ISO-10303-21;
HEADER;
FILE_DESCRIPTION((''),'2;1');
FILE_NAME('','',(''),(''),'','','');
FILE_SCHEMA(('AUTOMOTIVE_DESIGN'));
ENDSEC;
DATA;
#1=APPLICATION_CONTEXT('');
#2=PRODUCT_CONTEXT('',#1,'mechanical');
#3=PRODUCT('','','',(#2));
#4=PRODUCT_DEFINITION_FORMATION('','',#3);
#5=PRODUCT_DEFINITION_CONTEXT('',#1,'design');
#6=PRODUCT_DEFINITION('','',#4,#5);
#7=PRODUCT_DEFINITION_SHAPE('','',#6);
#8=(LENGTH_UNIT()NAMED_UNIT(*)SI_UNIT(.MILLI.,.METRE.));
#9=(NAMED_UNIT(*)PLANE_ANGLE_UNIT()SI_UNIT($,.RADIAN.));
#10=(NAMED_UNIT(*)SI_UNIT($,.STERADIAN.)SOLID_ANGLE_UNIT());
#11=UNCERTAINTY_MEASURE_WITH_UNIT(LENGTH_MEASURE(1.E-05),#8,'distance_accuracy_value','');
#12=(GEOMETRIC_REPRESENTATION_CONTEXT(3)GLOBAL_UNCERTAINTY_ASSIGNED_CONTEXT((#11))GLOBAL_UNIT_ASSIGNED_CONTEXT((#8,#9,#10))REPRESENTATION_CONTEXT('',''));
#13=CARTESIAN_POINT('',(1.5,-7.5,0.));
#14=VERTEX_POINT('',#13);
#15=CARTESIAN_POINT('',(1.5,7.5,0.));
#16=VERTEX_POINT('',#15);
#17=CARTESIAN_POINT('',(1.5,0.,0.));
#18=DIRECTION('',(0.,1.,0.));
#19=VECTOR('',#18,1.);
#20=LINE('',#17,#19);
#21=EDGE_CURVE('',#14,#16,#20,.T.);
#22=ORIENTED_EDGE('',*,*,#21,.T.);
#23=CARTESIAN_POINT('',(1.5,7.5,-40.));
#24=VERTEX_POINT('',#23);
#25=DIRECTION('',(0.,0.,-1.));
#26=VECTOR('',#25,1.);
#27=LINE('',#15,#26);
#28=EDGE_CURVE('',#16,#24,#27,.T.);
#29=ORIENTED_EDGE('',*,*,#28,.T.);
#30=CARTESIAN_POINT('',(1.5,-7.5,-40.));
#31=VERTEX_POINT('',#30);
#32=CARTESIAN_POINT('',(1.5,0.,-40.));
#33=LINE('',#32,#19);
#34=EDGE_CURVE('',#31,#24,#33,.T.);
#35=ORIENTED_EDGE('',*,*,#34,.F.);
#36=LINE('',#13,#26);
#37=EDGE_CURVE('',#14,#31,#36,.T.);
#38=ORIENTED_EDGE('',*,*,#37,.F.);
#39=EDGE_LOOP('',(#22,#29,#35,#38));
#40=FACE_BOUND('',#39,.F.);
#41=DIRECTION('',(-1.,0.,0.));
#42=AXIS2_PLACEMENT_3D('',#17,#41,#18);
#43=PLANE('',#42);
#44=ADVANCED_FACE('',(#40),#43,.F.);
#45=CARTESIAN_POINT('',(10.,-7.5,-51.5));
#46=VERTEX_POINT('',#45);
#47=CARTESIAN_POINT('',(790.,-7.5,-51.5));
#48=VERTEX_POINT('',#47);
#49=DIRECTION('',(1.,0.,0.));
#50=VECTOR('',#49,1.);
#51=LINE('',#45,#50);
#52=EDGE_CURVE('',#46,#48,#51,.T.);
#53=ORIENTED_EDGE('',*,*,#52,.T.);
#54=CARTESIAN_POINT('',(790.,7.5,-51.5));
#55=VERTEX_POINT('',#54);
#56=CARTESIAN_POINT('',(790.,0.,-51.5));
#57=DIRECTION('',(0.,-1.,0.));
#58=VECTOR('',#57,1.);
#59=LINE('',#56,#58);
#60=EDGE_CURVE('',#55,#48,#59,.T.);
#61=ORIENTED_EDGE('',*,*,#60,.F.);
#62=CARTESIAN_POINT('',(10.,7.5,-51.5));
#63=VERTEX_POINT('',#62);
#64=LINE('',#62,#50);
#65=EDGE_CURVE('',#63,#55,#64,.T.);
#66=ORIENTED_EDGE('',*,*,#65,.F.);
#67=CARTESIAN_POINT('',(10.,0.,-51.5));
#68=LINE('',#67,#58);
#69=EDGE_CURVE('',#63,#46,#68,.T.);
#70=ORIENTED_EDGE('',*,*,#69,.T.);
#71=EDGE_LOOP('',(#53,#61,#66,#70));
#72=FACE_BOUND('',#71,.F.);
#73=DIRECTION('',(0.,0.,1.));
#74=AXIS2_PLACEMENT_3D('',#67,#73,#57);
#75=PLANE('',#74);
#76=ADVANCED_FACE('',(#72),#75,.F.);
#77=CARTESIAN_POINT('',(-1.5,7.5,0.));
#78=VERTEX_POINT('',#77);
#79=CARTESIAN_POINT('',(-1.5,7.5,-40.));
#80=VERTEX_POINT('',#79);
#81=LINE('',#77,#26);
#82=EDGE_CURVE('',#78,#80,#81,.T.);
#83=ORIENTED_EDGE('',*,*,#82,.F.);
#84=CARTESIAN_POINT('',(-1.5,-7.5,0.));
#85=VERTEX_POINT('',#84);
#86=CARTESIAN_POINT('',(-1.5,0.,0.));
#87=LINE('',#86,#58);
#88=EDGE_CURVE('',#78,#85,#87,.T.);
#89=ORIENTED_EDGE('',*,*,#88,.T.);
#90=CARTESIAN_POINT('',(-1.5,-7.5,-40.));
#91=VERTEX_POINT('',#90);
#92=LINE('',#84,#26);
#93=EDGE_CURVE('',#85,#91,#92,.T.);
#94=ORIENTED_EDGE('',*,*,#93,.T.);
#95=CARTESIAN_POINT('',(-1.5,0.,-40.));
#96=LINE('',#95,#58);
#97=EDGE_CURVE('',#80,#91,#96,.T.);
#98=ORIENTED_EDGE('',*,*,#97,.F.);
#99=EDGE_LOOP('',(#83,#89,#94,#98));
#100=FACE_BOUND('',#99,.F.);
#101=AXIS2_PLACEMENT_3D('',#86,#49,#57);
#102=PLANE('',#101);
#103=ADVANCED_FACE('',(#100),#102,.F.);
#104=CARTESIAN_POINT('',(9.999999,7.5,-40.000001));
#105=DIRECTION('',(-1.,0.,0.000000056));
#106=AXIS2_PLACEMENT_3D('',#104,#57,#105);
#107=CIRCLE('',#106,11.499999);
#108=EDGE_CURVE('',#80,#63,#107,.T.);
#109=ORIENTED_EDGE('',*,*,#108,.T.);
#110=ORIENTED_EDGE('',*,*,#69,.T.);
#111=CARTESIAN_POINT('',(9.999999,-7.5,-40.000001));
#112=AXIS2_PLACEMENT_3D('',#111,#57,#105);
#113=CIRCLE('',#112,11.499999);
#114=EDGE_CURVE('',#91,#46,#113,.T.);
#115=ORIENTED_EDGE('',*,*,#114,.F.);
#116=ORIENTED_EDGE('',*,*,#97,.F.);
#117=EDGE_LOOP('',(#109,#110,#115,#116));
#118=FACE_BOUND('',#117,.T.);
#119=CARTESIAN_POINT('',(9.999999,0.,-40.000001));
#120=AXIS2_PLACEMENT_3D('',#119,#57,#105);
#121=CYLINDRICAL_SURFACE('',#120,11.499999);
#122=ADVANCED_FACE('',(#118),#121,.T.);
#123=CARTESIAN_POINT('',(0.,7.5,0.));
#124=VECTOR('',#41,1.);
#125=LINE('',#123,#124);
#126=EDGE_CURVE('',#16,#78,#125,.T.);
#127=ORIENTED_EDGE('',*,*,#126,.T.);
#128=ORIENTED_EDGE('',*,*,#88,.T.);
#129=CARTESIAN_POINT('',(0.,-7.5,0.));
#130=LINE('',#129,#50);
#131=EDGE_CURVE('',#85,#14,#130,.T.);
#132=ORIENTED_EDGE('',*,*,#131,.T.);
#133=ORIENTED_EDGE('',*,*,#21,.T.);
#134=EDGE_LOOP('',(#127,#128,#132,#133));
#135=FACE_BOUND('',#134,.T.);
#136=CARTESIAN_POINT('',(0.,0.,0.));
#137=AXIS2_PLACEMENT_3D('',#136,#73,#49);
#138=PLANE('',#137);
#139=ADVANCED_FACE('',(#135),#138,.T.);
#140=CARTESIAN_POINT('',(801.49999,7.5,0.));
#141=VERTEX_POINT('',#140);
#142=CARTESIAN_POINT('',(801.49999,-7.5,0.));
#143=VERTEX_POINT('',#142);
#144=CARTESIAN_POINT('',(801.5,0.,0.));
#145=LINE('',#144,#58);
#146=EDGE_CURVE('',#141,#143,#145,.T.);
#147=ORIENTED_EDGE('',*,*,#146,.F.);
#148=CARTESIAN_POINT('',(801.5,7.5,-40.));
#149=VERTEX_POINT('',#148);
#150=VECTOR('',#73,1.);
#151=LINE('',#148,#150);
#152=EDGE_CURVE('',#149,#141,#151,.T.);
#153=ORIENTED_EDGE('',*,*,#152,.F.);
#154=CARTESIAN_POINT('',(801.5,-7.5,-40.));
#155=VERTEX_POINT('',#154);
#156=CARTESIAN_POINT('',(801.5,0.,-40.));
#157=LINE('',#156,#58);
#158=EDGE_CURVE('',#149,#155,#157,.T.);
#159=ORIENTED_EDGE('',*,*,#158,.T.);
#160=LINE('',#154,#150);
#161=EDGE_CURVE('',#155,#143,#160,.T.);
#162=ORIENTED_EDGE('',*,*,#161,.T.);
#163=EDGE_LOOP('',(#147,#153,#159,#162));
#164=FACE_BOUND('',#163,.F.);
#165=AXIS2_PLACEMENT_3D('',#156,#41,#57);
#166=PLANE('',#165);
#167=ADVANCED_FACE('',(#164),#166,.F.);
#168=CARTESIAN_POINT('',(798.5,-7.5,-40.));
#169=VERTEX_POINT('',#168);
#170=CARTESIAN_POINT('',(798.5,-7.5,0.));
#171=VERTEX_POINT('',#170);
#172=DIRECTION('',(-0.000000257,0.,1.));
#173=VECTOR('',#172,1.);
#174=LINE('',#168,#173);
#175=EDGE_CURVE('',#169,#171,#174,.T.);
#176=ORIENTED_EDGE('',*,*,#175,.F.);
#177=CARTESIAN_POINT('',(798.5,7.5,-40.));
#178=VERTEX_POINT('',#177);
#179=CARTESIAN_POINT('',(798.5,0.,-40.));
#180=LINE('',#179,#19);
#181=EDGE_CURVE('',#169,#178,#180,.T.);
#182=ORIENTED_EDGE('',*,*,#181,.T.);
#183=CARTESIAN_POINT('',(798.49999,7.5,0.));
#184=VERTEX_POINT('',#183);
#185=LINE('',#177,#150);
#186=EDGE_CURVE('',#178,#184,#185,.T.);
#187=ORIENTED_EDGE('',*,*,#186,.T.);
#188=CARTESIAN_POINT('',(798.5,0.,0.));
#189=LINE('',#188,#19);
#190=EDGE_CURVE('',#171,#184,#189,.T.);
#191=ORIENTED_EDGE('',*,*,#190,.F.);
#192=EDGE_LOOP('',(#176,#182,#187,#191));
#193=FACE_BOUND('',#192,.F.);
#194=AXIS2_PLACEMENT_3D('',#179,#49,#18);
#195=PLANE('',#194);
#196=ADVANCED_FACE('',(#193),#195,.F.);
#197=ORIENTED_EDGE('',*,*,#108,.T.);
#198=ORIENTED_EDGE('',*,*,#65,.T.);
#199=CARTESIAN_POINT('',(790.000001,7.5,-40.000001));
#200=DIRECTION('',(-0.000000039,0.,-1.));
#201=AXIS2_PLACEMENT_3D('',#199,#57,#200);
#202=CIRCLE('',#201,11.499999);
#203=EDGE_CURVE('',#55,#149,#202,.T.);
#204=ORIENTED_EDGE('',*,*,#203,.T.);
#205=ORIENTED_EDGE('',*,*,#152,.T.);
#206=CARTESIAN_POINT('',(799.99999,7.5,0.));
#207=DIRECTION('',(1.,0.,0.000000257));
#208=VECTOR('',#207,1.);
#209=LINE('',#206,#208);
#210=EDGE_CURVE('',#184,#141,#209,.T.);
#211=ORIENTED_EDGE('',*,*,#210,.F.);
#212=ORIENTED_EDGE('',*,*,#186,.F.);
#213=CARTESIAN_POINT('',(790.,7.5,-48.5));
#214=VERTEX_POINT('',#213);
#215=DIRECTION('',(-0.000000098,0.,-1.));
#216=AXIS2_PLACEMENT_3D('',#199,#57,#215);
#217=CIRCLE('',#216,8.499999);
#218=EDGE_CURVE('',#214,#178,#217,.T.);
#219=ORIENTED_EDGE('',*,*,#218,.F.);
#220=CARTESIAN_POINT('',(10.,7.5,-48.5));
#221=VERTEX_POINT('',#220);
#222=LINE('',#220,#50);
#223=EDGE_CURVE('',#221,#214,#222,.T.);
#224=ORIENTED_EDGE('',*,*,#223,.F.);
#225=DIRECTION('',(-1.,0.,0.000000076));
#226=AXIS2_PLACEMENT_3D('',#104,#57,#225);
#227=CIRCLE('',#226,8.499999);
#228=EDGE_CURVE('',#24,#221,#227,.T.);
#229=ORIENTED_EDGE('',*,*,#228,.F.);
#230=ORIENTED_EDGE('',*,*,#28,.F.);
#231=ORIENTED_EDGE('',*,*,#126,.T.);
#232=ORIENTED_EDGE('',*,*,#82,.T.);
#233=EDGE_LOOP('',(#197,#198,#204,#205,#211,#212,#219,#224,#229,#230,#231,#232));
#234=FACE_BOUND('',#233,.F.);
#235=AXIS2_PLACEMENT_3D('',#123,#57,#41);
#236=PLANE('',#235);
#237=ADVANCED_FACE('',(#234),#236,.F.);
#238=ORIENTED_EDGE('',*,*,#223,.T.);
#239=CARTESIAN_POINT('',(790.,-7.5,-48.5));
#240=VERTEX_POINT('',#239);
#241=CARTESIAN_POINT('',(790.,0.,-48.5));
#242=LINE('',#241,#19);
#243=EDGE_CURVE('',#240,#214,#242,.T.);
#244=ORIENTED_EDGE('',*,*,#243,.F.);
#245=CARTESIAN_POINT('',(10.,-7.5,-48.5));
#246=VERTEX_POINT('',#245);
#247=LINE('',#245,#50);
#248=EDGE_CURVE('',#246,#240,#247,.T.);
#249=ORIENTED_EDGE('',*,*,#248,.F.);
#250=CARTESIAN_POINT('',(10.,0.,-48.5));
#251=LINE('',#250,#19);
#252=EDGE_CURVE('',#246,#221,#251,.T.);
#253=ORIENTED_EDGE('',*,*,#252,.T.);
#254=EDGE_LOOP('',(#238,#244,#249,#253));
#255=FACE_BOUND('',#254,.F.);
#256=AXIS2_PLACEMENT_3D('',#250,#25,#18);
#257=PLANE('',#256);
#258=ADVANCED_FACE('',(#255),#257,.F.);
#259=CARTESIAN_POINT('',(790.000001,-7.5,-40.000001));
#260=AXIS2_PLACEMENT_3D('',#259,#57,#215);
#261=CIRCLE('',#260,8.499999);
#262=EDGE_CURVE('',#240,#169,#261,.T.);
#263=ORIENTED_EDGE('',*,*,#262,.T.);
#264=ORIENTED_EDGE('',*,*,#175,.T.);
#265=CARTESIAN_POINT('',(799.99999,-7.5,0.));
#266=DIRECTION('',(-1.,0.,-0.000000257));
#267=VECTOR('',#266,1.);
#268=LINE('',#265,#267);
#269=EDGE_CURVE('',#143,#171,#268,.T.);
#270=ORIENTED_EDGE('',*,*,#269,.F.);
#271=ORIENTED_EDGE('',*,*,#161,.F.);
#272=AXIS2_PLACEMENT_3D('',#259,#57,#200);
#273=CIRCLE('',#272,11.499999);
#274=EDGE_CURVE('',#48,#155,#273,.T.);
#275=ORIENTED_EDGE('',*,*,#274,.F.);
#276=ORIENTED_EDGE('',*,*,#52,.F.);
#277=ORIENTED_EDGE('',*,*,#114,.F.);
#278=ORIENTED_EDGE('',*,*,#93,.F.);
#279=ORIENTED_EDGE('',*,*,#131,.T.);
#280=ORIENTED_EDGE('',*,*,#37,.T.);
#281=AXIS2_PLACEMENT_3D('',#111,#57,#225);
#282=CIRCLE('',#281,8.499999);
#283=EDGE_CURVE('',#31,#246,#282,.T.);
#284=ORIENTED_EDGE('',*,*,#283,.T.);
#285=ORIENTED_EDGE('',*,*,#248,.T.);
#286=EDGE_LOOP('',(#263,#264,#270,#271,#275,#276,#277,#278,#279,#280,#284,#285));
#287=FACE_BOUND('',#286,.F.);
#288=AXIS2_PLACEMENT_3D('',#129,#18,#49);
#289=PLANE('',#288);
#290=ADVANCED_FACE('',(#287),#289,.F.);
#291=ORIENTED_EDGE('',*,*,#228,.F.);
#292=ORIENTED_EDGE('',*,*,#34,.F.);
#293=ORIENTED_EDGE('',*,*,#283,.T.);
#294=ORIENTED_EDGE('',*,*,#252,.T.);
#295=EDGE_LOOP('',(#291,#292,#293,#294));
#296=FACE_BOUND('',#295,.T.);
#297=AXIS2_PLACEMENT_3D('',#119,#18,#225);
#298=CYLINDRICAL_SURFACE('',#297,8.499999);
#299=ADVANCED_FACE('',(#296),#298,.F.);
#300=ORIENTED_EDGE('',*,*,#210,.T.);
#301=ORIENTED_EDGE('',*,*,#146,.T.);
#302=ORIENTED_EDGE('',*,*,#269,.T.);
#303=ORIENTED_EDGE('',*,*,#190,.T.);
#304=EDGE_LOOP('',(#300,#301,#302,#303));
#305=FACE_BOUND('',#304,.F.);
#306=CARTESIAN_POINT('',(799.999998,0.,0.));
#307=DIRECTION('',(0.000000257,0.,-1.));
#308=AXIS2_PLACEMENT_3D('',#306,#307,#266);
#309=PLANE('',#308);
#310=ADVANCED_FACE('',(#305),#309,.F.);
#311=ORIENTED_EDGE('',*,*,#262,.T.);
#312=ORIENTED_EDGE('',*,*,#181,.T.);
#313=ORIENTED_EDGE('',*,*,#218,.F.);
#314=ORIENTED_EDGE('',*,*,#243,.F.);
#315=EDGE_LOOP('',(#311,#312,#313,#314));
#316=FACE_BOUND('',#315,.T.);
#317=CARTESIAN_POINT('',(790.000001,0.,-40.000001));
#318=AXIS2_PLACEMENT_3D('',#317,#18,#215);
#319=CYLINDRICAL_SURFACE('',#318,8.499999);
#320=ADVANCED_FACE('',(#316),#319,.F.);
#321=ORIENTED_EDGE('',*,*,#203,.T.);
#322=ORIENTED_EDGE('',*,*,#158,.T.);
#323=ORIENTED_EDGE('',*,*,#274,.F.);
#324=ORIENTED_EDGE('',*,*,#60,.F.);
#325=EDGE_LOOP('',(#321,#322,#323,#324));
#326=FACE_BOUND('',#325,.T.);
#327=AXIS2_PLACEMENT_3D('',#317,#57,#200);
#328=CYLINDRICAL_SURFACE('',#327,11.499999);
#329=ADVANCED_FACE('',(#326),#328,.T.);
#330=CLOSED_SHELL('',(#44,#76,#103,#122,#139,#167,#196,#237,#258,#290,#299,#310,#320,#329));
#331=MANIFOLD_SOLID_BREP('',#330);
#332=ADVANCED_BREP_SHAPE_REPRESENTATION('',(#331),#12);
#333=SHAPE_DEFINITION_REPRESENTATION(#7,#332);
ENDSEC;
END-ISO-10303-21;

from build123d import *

# Parameters (mm, degrees)
F1_W = 3
F1_H = 15


with BuildPart() as f2:
    # F2: sweep along a path in F0
    with BuildLine(Plane.XZ) as f2_path:
        Line((0, 0), (0, -40))
        ThreePointArc((0, -40), (2.928932, -47.071068), (10, -50))
        Line((10, -50), (790, -50))
        ThreePointArc((790, -50), (797.071068, -47.071068), (800, -40))
        Line((800, -40), (800, 0))
    # F1 (on Top) → F2 (sweep)
    with BuildSketch(Plane.XY):
        Rectangle(F1_W, F1_H)
    sweep(path=f2_path.line)


solid = f2.part
